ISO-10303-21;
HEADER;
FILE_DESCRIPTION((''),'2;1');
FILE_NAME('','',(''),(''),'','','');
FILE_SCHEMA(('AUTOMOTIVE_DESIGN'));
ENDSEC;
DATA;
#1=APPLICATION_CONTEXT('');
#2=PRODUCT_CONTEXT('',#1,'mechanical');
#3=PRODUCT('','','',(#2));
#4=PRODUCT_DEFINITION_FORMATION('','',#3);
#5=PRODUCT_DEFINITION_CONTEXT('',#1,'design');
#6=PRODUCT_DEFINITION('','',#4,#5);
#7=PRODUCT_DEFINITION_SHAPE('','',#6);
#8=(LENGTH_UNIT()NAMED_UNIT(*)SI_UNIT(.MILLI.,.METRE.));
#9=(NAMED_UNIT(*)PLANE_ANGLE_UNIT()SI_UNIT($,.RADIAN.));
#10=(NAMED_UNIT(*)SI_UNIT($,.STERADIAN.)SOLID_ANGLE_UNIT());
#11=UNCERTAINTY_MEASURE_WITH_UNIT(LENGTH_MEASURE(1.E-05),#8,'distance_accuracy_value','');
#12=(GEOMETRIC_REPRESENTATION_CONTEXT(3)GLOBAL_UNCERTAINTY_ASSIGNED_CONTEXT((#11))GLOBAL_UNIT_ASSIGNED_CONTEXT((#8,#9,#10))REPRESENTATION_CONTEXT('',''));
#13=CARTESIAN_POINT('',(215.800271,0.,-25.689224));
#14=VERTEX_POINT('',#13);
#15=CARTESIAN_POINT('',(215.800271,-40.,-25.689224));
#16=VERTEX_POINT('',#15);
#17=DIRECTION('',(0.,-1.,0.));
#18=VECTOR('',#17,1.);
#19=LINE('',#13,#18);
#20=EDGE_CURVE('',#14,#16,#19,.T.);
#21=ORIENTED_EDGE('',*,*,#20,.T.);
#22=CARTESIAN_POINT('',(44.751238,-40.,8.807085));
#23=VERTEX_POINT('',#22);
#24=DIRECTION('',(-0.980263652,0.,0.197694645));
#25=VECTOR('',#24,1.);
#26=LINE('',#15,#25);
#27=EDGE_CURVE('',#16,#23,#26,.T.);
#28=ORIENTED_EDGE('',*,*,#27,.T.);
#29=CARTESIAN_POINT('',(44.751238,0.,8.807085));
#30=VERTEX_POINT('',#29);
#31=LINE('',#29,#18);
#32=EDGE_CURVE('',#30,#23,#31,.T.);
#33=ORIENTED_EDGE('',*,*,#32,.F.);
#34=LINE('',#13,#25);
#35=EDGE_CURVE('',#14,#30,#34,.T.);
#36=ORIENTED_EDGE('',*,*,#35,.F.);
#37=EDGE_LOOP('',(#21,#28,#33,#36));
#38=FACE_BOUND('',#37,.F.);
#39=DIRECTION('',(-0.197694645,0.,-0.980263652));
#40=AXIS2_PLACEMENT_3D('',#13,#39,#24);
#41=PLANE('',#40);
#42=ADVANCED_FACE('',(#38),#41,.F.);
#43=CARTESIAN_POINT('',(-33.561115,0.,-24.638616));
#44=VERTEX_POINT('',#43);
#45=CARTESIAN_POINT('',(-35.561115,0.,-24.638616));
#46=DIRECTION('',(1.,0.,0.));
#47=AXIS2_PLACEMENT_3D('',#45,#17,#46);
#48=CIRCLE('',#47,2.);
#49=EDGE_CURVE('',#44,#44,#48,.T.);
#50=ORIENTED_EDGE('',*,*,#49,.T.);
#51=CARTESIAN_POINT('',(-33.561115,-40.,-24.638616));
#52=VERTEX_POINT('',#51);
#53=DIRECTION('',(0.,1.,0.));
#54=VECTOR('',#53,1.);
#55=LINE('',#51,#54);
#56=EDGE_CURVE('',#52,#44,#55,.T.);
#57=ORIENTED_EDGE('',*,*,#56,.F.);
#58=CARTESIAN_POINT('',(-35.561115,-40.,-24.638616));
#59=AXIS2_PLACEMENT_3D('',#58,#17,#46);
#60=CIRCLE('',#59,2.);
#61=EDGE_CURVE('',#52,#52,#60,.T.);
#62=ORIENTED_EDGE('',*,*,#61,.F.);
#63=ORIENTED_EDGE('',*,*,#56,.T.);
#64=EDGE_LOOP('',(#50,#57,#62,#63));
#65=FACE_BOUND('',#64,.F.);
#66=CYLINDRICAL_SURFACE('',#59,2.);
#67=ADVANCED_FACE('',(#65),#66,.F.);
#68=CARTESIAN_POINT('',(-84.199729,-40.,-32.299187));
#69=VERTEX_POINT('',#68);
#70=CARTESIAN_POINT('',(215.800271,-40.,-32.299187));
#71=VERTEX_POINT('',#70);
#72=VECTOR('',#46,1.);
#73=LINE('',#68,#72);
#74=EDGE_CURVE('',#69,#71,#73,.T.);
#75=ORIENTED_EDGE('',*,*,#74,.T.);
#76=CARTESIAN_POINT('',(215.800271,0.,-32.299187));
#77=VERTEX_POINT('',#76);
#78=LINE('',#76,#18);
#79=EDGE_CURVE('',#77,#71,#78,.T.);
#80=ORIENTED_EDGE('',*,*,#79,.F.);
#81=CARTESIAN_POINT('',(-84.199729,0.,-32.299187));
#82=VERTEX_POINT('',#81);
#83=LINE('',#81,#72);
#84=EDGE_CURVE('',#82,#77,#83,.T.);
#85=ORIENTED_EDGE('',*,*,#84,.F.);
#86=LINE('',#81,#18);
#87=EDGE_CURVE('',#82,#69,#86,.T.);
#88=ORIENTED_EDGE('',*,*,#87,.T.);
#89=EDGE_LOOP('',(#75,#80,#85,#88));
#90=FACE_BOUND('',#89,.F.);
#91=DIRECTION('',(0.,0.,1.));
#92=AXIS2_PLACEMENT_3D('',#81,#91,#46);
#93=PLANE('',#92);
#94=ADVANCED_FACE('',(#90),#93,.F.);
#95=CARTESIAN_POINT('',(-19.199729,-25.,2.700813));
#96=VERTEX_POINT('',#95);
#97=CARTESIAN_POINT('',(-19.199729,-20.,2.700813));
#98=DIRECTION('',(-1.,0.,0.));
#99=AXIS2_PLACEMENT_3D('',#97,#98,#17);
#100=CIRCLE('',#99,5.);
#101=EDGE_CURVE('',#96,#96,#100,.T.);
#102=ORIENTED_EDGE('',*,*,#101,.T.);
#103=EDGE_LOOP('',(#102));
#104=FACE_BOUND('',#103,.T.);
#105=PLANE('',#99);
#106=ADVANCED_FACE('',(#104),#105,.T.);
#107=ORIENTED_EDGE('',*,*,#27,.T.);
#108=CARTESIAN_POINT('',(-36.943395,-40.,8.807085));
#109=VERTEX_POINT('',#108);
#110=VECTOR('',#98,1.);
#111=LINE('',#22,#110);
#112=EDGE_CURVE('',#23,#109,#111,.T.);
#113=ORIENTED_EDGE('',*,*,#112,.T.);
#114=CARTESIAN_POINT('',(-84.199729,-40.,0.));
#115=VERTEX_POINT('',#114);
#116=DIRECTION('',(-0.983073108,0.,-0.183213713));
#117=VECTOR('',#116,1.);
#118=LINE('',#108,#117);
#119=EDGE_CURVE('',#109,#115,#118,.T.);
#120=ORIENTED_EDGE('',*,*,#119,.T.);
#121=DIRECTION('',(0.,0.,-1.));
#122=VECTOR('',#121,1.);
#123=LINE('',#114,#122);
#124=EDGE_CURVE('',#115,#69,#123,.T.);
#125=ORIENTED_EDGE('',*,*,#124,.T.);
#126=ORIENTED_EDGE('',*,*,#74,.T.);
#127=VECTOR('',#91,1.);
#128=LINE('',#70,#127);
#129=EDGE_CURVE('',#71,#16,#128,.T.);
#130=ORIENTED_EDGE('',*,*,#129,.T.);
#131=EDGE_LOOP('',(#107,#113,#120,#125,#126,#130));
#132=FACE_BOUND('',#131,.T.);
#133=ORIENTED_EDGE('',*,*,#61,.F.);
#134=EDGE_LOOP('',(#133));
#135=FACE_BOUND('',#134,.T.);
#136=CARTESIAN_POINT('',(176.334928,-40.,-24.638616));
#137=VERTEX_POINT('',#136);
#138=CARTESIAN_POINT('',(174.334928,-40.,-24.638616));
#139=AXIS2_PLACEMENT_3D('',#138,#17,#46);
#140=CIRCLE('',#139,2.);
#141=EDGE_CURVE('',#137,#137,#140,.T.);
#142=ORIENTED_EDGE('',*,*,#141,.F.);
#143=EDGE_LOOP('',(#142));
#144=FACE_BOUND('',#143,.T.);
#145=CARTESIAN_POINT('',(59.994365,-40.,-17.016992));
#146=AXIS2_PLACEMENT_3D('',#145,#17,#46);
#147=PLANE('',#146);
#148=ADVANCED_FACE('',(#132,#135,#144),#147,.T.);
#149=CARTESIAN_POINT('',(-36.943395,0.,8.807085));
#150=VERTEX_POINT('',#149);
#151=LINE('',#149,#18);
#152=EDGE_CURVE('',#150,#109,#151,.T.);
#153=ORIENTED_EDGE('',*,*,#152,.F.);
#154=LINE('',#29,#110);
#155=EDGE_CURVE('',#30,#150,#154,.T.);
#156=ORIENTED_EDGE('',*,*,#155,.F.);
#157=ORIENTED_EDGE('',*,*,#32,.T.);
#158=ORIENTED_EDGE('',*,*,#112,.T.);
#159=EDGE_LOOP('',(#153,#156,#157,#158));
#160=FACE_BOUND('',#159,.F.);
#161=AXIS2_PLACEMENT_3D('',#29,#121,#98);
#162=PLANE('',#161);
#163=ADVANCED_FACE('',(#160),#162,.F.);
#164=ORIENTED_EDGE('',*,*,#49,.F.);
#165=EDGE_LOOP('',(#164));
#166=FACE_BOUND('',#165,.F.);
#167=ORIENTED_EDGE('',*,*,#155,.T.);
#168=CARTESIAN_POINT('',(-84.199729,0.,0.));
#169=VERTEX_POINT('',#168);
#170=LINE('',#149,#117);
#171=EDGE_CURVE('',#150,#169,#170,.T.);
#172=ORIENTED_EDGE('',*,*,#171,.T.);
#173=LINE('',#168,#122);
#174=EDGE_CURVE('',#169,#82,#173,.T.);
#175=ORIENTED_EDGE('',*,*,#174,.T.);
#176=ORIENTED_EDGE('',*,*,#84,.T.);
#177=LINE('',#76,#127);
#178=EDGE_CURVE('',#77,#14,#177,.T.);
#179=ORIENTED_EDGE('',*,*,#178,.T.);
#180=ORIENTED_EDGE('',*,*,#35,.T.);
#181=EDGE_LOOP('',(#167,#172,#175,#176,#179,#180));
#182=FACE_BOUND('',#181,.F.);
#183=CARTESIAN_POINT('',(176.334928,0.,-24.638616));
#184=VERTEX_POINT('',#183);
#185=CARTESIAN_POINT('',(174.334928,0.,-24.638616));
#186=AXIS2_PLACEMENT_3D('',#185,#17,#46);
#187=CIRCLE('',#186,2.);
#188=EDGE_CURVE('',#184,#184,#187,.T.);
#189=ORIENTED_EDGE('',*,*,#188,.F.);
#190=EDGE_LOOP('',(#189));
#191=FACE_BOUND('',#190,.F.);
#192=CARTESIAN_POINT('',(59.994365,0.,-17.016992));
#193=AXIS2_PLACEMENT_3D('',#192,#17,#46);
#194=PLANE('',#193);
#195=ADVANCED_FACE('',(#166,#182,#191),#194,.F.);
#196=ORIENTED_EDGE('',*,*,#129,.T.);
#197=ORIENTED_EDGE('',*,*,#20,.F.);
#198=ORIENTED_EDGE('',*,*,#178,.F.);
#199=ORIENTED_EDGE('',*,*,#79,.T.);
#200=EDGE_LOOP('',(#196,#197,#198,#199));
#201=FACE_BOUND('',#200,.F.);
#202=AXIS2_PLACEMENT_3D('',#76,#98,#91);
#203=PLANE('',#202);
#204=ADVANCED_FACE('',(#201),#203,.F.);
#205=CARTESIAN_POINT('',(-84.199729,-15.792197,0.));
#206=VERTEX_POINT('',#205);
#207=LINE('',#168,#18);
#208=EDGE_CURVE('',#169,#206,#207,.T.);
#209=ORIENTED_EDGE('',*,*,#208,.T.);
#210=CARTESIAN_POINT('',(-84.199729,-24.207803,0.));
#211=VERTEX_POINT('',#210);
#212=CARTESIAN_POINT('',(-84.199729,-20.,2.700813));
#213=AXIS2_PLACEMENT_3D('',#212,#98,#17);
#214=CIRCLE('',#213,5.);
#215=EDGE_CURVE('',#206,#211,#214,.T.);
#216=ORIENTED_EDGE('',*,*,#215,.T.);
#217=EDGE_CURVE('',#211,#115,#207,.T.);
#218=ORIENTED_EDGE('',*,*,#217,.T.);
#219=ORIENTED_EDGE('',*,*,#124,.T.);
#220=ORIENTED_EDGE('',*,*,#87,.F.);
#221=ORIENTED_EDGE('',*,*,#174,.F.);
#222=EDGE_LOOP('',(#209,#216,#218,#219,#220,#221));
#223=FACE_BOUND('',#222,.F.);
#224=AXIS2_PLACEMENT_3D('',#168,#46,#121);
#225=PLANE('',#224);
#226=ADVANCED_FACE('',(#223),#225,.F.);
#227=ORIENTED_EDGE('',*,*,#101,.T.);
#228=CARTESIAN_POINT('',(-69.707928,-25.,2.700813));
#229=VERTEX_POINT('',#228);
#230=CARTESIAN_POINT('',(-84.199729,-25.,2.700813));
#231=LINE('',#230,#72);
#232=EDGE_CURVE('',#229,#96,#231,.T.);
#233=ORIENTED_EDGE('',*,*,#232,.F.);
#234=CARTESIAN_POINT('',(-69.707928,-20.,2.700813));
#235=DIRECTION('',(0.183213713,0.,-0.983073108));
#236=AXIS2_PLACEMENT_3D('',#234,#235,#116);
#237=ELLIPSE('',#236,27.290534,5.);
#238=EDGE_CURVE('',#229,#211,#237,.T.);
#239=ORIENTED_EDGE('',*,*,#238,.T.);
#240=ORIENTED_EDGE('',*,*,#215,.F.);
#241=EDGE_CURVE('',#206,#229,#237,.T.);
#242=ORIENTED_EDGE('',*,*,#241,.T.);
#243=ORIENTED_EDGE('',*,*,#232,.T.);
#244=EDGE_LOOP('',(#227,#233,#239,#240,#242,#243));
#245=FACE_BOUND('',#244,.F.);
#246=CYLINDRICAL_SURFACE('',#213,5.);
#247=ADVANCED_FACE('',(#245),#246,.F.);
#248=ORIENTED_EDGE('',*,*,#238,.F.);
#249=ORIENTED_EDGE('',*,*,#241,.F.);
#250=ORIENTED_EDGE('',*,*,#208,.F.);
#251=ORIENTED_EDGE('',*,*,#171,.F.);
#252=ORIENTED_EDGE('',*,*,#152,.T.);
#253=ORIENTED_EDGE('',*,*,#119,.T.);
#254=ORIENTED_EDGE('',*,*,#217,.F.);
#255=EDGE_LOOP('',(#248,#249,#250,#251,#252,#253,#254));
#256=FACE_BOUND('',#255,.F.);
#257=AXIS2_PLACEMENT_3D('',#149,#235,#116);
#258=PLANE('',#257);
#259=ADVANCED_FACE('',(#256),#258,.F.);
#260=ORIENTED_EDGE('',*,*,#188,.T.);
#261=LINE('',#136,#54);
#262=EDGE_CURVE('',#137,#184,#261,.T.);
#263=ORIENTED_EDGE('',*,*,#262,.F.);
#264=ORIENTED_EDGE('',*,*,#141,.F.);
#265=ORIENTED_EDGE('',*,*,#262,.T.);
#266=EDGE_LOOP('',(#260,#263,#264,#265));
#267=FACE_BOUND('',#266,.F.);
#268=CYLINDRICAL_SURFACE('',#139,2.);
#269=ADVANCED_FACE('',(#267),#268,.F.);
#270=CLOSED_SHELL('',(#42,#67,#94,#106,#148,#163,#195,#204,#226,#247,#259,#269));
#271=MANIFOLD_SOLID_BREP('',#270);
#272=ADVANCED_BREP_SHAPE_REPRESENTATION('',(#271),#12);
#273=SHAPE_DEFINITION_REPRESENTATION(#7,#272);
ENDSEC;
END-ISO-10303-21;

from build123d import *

# Parameters (mm, degrees)
F1_DEPTH = 40
F2_R     = 5
F3_DEPTH = 65
F4_R     = 2
F5_DEPTH = 40.001


with BuildPart() as f1:
    # F0 (on Front) → F1 (new body)
    with BuildSketch(Plane.XZ):
        Polygon((-84.199729, 0), (-84.199729, -32.299187), (215.800271, -32.299187), (215.800271, -25.689224), (44.751238, 8.807085), (-36.943395, 8.807085), align=None)
    extrude(amount=F1_DEPTH)

    # F2 (on face) → F3 (cut)
    with BuildSketch(Plane(origin=(-84.199729, 0, 0), x_dir=(0, -1, 0), z_dir=(-1, 0, 0))):
        with Locations((20, 2.700813)):
            Circle(F2_R)
    extrude(amount=-F3_DEPTH, mode=Mode.SUBTRACT)

    # F4 (on face) → F5 (cut, through all)
    with BuildSketch(Plane.XZ.offset(40)):
        with Locations((-35.561115, -24.638616)):
            Circle(F4_R)
        with Locations((174.334928, -24.638616)):
            Circle(F4_R)
    extrude(amount=-F5_DEPTH, mode=Mode.SUBTRACT)


solid = f1.part
